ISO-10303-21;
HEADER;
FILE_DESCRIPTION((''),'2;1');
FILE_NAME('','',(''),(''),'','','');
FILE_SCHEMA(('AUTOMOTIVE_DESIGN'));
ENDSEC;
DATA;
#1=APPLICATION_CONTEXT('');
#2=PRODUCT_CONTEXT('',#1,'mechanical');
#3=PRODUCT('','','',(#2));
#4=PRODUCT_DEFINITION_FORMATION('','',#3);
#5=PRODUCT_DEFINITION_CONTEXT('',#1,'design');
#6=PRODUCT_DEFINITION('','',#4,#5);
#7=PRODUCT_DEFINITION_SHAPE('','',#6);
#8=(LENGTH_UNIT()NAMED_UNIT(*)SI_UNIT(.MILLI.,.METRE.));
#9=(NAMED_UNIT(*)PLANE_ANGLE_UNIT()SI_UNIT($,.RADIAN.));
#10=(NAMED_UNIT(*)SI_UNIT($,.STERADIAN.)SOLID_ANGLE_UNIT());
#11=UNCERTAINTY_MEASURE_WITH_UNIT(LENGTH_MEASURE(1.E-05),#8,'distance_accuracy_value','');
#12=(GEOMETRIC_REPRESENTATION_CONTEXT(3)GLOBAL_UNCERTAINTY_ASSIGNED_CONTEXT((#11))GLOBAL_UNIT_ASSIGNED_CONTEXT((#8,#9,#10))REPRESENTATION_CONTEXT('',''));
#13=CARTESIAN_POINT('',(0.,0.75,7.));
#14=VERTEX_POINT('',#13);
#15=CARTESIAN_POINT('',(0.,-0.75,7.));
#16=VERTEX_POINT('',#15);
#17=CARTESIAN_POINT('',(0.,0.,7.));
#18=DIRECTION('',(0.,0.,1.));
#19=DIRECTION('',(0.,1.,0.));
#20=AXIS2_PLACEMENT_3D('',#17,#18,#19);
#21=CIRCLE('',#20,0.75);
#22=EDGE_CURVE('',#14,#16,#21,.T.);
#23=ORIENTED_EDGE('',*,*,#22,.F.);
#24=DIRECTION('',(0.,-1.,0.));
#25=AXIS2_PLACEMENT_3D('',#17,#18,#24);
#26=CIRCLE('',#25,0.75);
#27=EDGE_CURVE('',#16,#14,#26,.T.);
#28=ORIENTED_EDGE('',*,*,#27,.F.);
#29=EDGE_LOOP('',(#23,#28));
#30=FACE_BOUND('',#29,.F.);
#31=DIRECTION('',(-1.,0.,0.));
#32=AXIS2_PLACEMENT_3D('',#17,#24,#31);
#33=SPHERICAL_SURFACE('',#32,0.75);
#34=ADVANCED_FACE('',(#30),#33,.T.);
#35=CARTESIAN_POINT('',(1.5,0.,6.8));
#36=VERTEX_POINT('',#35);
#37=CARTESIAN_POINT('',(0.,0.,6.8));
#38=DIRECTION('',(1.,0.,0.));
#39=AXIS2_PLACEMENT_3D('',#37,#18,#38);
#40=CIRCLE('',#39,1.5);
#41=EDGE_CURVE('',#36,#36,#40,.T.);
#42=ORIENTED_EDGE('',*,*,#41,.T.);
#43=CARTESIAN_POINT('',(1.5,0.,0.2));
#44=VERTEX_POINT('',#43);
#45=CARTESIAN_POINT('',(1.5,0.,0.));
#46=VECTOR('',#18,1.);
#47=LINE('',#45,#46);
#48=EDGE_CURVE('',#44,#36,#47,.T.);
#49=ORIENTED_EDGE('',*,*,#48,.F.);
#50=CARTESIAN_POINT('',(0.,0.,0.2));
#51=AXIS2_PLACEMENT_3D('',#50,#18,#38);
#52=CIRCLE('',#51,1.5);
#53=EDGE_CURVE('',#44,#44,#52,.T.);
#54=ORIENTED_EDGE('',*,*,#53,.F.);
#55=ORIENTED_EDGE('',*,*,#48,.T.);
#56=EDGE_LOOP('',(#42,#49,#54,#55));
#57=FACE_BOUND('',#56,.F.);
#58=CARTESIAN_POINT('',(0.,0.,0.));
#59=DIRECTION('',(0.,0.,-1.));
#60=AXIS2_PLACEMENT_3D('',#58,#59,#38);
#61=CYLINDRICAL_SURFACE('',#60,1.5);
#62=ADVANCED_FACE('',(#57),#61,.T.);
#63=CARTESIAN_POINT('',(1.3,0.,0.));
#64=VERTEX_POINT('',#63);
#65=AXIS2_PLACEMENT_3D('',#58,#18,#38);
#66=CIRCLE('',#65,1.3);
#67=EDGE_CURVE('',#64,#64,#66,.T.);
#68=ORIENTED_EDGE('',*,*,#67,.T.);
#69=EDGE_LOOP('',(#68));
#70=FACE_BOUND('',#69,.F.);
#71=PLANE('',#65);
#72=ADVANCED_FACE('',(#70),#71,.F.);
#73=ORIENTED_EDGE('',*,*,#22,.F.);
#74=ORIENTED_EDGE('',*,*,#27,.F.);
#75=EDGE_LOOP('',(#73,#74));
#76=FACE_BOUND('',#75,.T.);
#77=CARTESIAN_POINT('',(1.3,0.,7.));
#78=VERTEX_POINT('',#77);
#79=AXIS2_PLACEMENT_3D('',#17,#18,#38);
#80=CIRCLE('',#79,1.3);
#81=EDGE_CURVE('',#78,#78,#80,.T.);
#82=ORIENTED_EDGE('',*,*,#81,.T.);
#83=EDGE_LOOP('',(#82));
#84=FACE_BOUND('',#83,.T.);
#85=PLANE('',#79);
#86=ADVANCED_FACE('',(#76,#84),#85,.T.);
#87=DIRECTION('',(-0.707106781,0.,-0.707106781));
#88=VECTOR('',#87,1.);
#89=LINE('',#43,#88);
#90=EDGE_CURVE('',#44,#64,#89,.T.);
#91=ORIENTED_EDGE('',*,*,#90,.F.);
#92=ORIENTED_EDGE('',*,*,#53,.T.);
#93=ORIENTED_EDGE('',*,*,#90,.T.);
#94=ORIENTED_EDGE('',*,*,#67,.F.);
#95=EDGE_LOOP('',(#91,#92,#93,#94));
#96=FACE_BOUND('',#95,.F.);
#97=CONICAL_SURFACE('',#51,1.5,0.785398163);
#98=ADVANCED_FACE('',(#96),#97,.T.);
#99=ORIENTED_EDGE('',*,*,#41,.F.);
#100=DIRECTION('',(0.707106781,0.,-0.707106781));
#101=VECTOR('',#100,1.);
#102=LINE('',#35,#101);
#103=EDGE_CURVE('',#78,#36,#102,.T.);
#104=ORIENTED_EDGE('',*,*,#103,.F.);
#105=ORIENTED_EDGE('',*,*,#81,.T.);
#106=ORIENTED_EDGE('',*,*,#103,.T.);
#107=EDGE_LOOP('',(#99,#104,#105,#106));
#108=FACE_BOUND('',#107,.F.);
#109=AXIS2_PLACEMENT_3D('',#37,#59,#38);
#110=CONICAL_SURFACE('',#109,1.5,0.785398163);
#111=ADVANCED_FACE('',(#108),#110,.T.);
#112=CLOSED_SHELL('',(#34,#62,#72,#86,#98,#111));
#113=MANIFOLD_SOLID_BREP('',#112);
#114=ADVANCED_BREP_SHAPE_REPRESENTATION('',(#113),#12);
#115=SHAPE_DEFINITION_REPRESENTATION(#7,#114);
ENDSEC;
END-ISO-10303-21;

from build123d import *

# Parameters (mm, degrees)
F0_R     = 1.5
F1_DEPTH = 7
F5_SIZE  = 0.2


with BuildPart() as f1:
    # F0 (on Top) → F1 (new body)
    with BuildSketch(Plane.XY):
        Circle(F0_R)
    extrude(amount=F1_DEPTH)

    # F3 (on face) → F4 (revolve)
    with BuildSketch(Plane.XY.offset(7)):
        with BuildLine():
            Line((0, -0.75), (0, 0.75))
            ThreePointArc((0, 0.75), (-0.75, 0), (0, -0.75))
        make_face()
    revolve(axis=Axis((0, 0, 7), (0, 1, 0)))

    # F5
    f5_edges = [f1.edges().sort_by_distance(p)[0] for p in [
        (-1.5, 0, 7),
        (-1.5, 0, 0),
    ]]
    chamfer(f5_edges, length=F5_SIZE)


solid = f1.part
